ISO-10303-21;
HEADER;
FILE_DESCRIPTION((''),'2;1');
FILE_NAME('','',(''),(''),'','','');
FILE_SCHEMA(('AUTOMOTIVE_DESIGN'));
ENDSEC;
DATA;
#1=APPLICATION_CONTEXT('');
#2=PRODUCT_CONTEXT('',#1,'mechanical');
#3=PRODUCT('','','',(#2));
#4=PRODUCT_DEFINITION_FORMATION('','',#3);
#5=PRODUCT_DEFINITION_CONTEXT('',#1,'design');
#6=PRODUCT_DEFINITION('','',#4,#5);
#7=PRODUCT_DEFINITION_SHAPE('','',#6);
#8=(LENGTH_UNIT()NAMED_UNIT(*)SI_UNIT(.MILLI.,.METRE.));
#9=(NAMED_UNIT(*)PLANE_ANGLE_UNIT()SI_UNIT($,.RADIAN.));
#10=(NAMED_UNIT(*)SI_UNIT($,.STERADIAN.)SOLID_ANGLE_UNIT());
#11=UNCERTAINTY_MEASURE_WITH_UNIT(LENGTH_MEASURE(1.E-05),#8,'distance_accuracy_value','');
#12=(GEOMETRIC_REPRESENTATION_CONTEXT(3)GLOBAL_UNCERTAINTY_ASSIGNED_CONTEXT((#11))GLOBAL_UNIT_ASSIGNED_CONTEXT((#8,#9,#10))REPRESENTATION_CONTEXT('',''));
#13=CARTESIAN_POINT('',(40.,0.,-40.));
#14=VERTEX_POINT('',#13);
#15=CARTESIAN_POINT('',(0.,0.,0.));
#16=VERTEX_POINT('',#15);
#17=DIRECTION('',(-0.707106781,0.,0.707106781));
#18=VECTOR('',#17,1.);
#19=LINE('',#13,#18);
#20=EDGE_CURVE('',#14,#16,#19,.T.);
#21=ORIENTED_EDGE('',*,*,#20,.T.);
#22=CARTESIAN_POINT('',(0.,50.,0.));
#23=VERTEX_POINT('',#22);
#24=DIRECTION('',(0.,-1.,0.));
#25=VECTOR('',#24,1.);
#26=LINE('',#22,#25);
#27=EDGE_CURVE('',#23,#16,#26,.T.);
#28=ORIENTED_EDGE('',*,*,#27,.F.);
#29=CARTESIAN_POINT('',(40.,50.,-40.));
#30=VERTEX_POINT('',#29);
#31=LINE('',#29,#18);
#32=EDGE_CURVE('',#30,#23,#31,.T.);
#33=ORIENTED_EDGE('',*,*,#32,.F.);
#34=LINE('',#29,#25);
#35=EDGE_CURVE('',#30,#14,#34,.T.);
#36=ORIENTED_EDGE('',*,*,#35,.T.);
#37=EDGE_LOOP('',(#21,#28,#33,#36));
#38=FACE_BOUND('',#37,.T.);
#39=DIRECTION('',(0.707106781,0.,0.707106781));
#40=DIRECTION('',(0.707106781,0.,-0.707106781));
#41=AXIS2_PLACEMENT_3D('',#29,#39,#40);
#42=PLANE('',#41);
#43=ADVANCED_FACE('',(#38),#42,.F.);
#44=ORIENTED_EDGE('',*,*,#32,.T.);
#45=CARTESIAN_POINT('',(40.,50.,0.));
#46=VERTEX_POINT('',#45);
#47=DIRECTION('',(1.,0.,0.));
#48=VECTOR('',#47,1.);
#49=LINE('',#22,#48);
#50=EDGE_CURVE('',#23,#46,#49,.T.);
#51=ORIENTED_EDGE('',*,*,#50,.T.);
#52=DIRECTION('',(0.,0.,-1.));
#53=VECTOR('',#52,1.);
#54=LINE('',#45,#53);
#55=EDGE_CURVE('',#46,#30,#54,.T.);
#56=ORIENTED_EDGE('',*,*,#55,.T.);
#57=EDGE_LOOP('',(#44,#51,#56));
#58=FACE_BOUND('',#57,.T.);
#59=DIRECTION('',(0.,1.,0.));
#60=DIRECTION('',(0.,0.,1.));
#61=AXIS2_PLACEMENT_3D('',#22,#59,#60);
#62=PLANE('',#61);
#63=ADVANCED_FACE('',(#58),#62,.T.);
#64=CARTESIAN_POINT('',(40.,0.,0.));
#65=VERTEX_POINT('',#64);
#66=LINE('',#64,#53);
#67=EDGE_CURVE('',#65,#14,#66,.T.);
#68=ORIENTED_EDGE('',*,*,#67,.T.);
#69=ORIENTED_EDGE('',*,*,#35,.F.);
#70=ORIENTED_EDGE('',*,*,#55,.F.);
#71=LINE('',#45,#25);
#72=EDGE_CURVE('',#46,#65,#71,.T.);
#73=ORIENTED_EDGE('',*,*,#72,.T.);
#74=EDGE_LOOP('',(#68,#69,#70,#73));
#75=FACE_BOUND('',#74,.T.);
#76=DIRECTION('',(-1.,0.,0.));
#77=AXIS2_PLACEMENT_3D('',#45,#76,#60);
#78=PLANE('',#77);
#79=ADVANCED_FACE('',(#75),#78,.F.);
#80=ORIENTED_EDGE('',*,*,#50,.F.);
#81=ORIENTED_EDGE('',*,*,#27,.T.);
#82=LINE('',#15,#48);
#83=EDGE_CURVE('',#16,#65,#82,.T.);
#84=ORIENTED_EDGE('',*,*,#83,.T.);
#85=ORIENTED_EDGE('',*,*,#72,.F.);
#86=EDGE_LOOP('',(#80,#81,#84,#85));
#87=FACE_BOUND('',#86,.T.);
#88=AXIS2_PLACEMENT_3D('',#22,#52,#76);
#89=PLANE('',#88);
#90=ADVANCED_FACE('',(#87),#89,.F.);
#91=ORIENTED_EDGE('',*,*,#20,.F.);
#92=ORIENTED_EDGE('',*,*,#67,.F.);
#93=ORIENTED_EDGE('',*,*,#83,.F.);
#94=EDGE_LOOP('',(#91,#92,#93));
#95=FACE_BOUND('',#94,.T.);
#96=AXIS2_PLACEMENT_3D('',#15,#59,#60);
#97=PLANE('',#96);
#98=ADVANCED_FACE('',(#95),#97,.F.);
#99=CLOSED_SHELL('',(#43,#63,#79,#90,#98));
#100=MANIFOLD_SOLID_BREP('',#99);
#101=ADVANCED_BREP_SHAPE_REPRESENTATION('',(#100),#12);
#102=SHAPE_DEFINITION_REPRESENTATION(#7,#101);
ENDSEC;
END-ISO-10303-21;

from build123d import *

# Parameters (mm, degrees)
BOSS_EXTRUDE1_DEPTH = 50


with BuildPart() as part:
    # Sketch1 → Boss-Extrude1 (new body)
    with BuildSketch(Plane(origin=(0, 0, 0), x_dir=(1, 0, 0), z_dir=(0, 1, 0))):
        Polygon((0, 0), (40, 0), (40, 40), align=None)
    extrude(amount=BOSS_EXTRUDE1_DEPTH)


solid = part.part
